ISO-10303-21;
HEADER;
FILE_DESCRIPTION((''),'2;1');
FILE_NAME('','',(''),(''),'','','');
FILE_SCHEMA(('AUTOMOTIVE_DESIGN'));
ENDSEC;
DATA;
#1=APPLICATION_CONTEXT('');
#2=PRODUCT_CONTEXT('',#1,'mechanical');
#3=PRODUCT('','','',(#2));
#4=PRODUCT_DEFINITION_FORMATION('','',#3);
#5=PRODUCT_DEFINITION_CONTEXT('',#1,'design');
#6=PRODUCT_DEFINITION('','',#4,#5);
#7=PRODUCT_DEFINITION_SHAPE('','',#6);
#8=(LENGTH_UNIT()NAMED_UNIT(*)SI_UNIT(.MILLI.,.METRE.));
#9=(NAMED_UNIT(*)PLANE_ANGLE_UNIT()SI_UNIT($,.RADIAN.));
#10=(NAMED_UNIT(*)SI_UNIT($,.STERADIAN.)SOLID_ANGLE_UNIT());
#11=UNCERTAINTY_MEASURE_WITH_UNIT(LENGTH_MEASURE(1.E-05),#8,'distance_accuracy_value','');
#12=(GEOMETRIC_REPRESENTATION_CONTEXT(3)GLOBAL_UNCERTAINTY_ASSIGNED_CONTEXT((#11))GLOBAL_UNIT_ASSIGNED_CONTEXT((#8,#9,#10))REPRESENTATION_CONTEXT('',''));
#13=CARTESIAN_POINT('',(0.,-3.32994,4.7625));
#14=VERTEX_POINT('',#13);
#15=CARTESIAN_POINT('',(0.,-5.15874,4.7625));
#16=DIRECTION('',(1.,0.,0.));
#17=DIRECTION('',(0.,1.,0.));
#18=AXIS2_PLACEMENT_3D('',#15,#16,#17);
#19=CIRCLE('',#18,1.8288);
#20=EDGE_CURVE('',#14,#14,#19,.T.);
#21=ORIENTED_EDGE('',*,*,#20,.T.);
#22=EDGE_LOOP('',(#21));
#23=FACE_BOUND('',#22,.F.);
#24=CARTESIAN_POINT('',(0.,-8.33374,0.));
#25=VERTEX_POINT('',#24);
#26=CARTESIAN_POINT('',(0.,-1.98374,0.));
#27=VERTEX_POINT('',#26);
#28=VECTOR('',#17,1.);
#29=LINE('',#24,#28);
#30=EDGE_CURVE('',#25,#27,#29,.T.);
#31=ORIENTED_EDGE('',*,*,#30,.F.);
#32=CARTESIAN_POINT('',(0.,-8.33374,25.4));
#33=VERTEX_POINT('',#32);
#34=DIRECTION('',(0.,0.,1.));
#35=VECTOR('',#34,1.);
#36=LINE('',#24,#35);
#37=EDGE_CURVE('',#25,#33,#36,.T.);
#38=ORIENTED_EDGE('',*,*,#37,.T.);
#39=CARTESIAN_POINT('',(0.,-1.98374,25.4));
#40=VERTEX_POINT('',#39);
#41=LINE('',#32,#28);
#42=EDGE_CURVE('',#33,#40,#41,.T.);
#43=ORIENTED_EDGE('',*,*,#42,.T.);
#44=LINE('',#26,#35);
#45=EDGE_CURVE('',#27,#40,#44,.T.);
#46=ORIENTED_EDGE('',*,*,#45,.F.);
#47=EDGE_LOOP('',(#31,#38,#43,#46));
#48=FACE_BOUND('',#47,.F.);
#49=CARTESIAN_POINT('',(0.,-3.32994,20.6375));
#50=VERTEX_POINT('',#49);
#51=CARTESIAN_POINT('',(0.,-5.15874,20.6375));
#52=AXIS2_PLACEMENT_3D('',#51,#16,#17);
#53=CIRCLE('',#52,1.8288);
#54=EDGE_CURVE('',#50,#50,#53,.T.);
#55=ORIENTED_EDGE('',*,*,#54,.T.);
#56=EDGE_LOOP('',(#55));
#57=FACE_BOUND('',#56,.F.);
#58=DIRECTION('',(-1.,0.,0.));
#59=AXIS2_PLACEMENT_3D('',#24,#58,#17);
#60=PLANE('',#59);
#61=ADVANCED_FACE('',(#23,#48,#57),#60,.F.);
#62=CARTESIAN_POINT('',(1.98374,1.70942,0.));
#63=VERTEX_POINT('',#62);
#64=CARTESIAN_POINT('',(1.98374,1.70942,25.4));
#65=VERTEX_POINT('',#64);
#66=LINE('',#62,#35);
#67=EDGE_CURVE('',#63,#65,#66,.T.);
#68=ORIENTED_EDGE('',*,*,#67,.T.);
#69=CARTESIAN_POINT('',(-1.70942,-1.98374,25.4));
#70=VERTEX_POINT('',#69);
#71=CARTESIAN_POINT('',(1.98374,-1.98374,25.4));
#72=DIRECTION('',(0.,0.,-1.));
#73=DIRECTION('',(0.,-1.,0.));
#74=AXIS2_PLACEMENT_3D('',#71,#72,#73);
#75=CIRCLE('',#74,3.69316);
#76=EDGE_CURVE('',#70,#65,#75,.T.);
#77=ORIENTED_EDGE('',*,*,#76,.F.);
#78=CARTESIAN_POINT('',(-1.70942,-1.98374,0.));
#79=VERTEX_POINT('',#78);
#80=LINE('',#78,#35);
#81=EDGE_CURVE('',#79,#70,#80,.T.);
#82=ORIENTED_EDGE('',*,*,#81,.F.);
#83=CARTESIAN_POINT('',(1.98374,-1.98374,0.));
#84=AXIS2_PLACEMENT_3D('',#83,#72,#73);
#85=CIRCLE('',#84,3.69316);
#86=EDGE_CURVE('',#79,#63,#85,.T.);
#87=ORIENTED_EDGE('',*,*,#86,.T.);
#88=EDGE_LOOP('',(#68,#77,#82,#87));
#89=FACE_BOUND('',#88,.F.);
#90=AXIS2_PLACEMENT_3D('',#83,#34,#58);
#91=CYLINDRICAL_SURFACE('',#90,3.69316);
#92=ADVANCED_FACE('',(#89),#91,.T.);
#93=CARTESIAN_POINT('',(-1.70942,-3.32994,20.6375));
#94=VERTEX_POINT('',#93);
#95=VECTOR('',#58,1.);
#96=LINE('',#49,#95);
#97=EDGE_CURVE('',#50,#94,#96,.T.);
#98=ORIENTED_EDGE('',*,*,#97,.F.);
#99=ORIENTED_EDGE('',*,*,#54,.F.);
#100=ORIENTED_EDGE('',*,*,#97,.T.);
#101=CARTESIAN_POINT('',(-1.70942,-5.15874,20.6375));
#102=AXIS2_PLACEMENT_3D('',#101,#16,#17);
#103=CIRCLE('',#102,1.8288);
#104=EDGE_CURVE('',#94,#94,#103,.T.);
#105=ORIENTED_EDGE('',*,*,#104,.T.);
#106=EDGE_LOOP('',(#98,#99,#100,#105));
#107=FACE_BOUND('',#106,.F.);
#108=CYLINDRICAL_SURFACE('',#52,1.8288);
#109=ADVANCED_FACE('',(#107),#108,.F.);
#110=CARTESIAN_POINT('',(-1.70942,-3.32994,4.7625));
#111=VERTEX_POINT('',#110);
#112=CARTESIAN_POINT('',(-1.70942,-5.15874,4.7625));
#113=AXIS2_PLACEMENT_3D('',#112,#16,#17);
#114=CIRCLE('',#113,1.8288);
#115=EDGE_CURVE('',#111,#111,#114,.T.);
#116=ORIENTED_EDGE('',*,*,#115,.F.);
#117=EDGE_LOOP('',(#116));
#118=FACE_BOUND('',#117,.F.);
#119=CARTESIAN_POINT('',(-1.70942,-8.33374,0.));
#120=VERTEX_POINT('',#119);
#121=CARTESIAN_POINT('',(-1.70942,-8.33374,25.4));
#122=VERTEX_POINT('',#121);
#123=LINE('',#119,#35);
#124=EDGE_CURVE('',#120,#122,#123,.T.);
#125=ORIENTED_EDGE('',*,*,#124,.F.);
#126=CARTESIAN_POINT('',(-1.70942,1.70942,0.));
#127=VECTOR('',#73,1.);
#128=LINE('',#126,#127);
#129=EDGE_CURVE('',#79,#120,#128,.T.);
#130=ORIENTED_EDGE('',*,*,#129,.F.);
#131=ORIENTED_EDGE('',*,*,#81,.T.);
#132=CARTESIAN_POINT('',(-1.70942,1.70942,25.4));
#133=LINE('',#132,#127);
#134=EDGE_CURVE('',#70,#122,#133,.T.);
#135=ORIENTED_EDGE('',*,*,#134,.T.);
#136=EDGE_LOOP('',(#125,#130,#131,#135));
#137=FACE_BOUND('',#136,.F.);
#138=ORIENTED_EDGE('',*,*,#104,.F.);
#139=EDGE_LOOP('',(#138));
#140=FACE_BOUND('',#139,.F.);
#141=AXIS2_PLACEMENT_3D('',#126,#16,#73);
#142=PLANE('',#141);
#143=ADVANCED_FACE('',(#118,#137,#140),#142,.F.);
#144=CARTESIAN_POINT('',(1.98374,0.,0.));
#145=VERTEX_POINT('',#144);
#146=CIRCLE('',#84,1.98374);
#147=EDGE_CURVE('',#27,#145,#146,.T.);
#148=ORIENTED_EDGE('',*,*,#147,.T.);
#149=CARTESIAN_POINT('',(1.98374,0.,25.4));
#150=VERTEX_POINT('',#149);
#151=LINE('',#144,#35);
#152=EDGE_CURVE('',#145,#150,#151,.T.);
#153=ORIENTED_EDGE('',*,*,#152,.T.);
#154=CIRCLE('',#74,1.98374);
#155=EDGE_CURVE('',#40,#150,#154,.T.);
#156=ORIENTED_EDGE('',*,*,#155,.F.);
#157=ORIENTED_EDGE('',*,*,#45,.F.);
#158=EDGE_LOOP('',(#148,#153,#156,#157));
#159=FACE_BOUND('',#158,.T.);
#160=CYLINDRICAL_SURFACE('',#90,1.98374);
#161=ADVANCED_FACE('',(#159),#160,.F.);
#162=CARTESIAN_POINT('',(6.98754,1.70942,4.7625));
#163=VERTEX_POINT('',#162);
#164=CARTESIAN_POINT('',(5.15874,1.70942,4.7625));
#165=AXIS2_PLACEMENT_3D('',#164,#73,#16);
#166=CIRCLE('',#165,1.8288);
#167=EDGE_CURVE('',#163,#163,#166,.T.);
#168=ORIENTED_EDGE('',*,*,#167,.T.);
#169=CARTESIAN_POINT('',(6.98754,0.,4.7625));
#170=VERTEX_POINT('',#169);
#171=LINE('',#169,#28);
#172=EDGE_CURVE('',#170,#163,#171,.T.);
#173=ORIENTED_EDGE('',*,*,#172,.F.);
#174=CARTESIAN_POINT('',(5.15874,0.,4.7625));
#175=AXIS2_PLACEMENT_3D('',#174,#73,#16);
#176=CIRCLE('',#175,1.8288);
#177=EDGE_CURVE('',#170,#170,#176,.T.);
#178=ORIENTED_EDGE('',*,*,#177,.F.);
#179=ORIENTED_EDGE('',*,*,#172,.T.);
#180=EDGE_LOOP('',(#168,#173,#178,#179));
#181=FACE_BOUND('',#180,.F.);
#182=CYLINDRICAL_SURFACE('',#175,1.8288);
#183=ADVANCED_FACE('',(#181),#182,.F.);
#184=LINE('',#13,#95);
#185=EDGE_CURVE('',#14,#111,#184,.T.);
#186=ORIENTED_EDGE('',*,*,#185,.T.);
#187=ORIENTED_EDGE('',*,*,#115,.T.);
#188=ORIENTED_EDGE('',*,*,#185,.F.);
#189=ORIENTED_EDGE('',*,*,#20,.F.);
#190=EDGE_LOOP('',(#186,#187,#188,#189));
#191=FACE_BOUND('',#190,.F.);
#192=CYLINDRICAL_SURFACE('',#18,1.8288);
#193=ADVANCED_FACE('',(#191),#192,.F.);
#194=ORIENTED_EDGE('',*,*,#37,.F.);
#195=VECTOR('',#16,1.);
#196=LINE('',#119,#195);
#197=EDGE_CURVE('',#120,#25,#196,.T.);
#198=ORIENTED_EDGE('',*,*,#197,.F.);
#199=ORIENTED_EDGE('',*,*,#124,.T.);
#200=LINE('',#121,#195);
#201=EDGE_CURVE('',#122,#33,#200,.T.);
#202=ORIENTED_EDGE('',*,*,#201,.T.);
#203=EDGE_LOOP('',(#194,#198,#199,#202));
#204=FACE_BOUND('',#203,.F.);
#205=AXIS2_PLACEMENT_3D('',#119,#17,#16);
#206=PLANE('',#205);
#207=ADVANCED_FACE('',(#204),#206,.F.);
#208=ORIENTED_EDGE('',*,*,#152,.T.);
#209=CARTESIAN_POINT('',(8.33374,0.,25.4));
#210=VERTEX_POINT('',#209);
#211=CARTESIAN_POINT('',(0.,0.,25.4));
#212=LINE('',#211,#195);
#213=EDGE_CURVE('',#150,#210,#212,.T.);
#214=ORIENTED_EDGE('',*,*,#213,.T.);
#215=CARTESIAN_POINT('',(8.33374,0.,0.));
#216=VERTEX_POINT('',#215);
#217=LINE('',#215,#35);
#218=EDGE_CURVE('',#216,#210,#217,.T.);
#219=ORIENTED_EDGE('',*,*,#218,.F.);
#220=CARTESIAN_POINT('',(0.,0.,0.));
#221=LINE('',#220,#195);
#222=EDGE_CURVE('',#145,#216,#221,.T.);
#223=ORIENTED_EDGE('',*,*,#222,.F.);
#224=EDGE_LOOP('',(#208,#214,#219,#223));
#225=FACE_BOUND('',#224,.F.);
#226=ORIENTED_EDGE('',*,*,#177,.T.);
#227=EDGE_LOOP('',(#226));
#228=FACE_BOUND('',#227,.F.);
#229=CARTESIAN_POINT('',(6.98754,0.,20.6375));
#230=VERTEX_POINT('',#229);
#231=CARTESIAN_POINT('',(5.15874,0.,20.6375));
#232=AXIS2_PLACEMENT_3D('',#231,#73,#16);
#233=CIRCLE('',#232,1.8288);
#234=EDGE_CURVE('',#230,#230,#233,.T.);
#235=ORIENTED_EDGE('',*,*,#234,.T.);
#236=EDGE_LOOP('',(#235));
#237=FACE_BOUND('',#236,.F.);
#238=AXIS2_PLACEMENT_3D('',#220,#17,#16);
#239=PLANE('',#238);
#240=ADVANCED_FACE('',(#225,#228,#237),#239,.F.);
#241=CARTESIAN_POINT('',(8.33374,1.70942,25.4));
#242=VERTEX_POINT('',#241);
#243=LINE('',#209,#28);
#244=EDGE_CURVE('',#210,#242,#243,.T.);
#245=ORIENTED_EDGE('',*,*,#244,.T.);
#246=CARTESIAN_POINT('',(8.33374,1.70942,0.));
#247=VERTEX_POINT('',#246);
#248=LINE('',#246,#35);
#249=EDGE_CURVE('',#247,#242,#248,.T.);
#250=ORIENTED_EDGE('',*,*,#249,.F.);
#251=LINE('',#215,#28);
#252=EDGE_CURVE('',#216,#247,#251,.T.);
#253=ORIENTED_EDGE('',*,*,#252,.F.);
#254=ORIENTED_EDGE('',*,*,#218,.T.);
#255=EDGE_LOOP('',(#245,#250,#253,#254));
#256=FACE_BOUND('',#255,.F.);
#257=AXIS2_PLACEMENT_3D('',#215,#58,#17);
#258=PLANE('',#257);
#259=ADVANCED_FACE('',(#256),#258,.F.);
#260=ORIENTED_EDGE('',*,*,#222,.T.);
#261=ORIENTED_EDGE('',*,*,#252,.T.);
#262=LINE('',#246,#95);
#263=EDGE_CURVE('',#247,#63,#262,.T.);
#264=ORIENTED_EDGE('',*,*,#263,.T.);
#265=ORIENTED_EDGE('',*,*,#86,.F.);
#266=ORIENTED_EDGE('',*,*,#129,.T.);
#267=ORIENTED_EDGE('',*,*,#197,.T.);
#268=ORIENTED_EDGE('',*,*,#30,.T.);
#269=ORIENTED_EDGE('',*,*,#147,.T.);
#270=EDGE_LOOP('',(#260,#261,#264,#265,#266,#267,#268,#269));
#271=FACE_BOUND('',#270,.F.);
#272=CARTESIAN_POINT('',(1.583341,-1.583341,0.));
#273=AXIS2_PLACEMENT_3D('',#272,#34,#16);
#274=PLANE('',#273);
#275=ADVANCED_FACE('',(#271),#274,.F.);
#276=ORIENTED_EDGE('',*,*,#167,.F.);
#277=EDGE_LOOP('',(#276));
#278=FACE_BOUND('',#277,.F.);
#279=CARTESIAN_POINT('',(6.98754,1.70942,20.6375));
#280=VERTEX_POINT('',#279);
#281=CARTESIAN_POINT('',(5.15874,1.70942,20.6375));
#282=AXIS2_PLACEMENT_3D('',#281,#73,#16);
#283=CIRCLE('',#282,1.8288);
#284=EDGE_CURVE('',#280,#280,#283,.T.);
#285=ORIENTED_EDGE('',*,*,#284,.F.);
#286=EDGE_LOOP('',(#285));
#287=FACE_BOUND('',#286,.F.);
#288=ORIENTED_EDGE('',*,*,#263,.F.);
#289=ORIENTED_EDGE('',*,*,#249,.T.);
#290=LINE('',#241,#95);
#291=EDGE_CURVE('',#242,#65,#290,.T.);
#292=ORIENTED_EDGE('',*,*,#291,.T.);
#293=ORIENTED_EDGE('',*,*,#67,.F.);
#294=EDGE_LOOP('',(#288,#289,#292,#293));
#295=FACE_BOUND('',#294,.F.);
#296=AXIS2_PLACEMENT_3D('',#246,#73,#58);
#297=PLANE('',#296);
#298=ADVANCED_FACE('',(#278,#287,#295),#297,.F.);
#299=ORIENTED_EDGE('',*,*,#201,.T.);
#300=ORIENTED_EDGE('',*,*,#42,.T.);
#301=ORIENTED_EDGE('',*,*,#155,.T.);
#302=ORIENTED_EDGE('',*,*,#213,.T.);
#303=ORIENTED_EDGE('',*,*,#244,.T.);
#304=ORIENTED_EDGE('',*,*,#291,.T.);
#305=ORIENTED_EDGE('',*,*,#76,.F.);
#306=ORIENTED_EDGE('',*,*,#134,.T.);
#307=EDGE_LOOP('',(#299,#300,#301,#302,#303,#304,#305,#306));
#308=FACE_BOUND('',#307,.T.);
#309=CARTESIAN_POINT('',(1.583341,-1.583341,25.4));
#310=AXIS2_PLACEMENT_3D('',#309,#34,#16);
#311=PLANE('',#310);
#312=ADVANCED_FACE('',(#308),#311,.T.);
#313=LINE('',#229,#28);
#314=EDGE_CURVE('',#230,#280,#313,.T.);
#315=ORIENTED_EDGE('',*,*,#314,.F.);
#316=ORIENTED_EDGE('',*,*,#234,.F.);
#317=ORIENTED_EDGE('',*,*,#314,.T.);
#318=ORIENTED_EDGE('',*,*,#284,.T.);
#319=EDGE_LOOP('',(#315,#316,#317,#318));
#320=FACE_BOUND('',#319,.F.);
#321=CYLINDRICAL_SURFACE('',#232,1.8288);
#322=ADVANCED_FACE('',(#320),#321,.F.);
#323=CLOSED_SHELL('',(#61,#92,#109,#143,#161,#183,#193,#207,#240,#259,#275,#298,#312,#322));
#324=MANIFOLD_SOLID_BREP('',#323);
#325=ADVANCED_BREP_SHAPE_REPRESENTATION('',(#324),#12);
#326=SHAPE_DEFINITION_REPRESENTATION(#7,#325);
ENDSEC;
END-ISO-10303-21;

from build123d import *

# Parameters (mm, degrees)
F1_DEPTH = 25.4
F2_R     = 1.8288
F3_DEPTH = 1.70942
F4_R     = 1.8288
F5_DEPTH = 1.70942
F6_R     = 1.98374
F7_R     = 3.69316


with BuildPart() as f1:
    # F0 (on Top) → F1 (new body)
    with BuildSketch(Plane.XY):
        Polygon((-1.70942, -8.33374), (0, -8.33374), (0, 0), (8.33374, 0), (8.33374, 1.70942), (-1.70942, 1.70942), align=None)
    extrude(amount=F1_DEPTH)

    # F2 (on face) → F3 (cut, through all)
    with BuildSketch(Plane.XZ):
        with Locations((5.15874, 20.6375)):
            Circle(F2_R)
        with Locations((5.15874, 4.7625)):
            Circle(F2_R)
    extrude(amount=-F3_DEPTH, mode=Mode.SUBTRACT)

    # F4 (on face) → F5 (cut, through all)
    with BuildSketch(Plane.YZ):
        with Locations((-5.15874, 20.6375)):
            Circle(F4_R)
        with Locations((-5.15874, 4.7625)):
            Circle(F4_R)
    extrude(amount=-F5_DEPTH, mode=Mode.SUBTRACT)

    # F6
    f6_edges = [f1.edges().sort_by_distance(p)[0] for p in [
        (0, 0, 12.7),
    ]]
    fillet(f6_edges, radius=F6_R)

    # F7
    f7_edges = [f1.edges().sort_by_distance(p)[0] for p in [
        (-1.70942, 1.70942, 12.7),
    ]]
    fillet(f7_edges, radius=F7_R)


solid = f1.part
